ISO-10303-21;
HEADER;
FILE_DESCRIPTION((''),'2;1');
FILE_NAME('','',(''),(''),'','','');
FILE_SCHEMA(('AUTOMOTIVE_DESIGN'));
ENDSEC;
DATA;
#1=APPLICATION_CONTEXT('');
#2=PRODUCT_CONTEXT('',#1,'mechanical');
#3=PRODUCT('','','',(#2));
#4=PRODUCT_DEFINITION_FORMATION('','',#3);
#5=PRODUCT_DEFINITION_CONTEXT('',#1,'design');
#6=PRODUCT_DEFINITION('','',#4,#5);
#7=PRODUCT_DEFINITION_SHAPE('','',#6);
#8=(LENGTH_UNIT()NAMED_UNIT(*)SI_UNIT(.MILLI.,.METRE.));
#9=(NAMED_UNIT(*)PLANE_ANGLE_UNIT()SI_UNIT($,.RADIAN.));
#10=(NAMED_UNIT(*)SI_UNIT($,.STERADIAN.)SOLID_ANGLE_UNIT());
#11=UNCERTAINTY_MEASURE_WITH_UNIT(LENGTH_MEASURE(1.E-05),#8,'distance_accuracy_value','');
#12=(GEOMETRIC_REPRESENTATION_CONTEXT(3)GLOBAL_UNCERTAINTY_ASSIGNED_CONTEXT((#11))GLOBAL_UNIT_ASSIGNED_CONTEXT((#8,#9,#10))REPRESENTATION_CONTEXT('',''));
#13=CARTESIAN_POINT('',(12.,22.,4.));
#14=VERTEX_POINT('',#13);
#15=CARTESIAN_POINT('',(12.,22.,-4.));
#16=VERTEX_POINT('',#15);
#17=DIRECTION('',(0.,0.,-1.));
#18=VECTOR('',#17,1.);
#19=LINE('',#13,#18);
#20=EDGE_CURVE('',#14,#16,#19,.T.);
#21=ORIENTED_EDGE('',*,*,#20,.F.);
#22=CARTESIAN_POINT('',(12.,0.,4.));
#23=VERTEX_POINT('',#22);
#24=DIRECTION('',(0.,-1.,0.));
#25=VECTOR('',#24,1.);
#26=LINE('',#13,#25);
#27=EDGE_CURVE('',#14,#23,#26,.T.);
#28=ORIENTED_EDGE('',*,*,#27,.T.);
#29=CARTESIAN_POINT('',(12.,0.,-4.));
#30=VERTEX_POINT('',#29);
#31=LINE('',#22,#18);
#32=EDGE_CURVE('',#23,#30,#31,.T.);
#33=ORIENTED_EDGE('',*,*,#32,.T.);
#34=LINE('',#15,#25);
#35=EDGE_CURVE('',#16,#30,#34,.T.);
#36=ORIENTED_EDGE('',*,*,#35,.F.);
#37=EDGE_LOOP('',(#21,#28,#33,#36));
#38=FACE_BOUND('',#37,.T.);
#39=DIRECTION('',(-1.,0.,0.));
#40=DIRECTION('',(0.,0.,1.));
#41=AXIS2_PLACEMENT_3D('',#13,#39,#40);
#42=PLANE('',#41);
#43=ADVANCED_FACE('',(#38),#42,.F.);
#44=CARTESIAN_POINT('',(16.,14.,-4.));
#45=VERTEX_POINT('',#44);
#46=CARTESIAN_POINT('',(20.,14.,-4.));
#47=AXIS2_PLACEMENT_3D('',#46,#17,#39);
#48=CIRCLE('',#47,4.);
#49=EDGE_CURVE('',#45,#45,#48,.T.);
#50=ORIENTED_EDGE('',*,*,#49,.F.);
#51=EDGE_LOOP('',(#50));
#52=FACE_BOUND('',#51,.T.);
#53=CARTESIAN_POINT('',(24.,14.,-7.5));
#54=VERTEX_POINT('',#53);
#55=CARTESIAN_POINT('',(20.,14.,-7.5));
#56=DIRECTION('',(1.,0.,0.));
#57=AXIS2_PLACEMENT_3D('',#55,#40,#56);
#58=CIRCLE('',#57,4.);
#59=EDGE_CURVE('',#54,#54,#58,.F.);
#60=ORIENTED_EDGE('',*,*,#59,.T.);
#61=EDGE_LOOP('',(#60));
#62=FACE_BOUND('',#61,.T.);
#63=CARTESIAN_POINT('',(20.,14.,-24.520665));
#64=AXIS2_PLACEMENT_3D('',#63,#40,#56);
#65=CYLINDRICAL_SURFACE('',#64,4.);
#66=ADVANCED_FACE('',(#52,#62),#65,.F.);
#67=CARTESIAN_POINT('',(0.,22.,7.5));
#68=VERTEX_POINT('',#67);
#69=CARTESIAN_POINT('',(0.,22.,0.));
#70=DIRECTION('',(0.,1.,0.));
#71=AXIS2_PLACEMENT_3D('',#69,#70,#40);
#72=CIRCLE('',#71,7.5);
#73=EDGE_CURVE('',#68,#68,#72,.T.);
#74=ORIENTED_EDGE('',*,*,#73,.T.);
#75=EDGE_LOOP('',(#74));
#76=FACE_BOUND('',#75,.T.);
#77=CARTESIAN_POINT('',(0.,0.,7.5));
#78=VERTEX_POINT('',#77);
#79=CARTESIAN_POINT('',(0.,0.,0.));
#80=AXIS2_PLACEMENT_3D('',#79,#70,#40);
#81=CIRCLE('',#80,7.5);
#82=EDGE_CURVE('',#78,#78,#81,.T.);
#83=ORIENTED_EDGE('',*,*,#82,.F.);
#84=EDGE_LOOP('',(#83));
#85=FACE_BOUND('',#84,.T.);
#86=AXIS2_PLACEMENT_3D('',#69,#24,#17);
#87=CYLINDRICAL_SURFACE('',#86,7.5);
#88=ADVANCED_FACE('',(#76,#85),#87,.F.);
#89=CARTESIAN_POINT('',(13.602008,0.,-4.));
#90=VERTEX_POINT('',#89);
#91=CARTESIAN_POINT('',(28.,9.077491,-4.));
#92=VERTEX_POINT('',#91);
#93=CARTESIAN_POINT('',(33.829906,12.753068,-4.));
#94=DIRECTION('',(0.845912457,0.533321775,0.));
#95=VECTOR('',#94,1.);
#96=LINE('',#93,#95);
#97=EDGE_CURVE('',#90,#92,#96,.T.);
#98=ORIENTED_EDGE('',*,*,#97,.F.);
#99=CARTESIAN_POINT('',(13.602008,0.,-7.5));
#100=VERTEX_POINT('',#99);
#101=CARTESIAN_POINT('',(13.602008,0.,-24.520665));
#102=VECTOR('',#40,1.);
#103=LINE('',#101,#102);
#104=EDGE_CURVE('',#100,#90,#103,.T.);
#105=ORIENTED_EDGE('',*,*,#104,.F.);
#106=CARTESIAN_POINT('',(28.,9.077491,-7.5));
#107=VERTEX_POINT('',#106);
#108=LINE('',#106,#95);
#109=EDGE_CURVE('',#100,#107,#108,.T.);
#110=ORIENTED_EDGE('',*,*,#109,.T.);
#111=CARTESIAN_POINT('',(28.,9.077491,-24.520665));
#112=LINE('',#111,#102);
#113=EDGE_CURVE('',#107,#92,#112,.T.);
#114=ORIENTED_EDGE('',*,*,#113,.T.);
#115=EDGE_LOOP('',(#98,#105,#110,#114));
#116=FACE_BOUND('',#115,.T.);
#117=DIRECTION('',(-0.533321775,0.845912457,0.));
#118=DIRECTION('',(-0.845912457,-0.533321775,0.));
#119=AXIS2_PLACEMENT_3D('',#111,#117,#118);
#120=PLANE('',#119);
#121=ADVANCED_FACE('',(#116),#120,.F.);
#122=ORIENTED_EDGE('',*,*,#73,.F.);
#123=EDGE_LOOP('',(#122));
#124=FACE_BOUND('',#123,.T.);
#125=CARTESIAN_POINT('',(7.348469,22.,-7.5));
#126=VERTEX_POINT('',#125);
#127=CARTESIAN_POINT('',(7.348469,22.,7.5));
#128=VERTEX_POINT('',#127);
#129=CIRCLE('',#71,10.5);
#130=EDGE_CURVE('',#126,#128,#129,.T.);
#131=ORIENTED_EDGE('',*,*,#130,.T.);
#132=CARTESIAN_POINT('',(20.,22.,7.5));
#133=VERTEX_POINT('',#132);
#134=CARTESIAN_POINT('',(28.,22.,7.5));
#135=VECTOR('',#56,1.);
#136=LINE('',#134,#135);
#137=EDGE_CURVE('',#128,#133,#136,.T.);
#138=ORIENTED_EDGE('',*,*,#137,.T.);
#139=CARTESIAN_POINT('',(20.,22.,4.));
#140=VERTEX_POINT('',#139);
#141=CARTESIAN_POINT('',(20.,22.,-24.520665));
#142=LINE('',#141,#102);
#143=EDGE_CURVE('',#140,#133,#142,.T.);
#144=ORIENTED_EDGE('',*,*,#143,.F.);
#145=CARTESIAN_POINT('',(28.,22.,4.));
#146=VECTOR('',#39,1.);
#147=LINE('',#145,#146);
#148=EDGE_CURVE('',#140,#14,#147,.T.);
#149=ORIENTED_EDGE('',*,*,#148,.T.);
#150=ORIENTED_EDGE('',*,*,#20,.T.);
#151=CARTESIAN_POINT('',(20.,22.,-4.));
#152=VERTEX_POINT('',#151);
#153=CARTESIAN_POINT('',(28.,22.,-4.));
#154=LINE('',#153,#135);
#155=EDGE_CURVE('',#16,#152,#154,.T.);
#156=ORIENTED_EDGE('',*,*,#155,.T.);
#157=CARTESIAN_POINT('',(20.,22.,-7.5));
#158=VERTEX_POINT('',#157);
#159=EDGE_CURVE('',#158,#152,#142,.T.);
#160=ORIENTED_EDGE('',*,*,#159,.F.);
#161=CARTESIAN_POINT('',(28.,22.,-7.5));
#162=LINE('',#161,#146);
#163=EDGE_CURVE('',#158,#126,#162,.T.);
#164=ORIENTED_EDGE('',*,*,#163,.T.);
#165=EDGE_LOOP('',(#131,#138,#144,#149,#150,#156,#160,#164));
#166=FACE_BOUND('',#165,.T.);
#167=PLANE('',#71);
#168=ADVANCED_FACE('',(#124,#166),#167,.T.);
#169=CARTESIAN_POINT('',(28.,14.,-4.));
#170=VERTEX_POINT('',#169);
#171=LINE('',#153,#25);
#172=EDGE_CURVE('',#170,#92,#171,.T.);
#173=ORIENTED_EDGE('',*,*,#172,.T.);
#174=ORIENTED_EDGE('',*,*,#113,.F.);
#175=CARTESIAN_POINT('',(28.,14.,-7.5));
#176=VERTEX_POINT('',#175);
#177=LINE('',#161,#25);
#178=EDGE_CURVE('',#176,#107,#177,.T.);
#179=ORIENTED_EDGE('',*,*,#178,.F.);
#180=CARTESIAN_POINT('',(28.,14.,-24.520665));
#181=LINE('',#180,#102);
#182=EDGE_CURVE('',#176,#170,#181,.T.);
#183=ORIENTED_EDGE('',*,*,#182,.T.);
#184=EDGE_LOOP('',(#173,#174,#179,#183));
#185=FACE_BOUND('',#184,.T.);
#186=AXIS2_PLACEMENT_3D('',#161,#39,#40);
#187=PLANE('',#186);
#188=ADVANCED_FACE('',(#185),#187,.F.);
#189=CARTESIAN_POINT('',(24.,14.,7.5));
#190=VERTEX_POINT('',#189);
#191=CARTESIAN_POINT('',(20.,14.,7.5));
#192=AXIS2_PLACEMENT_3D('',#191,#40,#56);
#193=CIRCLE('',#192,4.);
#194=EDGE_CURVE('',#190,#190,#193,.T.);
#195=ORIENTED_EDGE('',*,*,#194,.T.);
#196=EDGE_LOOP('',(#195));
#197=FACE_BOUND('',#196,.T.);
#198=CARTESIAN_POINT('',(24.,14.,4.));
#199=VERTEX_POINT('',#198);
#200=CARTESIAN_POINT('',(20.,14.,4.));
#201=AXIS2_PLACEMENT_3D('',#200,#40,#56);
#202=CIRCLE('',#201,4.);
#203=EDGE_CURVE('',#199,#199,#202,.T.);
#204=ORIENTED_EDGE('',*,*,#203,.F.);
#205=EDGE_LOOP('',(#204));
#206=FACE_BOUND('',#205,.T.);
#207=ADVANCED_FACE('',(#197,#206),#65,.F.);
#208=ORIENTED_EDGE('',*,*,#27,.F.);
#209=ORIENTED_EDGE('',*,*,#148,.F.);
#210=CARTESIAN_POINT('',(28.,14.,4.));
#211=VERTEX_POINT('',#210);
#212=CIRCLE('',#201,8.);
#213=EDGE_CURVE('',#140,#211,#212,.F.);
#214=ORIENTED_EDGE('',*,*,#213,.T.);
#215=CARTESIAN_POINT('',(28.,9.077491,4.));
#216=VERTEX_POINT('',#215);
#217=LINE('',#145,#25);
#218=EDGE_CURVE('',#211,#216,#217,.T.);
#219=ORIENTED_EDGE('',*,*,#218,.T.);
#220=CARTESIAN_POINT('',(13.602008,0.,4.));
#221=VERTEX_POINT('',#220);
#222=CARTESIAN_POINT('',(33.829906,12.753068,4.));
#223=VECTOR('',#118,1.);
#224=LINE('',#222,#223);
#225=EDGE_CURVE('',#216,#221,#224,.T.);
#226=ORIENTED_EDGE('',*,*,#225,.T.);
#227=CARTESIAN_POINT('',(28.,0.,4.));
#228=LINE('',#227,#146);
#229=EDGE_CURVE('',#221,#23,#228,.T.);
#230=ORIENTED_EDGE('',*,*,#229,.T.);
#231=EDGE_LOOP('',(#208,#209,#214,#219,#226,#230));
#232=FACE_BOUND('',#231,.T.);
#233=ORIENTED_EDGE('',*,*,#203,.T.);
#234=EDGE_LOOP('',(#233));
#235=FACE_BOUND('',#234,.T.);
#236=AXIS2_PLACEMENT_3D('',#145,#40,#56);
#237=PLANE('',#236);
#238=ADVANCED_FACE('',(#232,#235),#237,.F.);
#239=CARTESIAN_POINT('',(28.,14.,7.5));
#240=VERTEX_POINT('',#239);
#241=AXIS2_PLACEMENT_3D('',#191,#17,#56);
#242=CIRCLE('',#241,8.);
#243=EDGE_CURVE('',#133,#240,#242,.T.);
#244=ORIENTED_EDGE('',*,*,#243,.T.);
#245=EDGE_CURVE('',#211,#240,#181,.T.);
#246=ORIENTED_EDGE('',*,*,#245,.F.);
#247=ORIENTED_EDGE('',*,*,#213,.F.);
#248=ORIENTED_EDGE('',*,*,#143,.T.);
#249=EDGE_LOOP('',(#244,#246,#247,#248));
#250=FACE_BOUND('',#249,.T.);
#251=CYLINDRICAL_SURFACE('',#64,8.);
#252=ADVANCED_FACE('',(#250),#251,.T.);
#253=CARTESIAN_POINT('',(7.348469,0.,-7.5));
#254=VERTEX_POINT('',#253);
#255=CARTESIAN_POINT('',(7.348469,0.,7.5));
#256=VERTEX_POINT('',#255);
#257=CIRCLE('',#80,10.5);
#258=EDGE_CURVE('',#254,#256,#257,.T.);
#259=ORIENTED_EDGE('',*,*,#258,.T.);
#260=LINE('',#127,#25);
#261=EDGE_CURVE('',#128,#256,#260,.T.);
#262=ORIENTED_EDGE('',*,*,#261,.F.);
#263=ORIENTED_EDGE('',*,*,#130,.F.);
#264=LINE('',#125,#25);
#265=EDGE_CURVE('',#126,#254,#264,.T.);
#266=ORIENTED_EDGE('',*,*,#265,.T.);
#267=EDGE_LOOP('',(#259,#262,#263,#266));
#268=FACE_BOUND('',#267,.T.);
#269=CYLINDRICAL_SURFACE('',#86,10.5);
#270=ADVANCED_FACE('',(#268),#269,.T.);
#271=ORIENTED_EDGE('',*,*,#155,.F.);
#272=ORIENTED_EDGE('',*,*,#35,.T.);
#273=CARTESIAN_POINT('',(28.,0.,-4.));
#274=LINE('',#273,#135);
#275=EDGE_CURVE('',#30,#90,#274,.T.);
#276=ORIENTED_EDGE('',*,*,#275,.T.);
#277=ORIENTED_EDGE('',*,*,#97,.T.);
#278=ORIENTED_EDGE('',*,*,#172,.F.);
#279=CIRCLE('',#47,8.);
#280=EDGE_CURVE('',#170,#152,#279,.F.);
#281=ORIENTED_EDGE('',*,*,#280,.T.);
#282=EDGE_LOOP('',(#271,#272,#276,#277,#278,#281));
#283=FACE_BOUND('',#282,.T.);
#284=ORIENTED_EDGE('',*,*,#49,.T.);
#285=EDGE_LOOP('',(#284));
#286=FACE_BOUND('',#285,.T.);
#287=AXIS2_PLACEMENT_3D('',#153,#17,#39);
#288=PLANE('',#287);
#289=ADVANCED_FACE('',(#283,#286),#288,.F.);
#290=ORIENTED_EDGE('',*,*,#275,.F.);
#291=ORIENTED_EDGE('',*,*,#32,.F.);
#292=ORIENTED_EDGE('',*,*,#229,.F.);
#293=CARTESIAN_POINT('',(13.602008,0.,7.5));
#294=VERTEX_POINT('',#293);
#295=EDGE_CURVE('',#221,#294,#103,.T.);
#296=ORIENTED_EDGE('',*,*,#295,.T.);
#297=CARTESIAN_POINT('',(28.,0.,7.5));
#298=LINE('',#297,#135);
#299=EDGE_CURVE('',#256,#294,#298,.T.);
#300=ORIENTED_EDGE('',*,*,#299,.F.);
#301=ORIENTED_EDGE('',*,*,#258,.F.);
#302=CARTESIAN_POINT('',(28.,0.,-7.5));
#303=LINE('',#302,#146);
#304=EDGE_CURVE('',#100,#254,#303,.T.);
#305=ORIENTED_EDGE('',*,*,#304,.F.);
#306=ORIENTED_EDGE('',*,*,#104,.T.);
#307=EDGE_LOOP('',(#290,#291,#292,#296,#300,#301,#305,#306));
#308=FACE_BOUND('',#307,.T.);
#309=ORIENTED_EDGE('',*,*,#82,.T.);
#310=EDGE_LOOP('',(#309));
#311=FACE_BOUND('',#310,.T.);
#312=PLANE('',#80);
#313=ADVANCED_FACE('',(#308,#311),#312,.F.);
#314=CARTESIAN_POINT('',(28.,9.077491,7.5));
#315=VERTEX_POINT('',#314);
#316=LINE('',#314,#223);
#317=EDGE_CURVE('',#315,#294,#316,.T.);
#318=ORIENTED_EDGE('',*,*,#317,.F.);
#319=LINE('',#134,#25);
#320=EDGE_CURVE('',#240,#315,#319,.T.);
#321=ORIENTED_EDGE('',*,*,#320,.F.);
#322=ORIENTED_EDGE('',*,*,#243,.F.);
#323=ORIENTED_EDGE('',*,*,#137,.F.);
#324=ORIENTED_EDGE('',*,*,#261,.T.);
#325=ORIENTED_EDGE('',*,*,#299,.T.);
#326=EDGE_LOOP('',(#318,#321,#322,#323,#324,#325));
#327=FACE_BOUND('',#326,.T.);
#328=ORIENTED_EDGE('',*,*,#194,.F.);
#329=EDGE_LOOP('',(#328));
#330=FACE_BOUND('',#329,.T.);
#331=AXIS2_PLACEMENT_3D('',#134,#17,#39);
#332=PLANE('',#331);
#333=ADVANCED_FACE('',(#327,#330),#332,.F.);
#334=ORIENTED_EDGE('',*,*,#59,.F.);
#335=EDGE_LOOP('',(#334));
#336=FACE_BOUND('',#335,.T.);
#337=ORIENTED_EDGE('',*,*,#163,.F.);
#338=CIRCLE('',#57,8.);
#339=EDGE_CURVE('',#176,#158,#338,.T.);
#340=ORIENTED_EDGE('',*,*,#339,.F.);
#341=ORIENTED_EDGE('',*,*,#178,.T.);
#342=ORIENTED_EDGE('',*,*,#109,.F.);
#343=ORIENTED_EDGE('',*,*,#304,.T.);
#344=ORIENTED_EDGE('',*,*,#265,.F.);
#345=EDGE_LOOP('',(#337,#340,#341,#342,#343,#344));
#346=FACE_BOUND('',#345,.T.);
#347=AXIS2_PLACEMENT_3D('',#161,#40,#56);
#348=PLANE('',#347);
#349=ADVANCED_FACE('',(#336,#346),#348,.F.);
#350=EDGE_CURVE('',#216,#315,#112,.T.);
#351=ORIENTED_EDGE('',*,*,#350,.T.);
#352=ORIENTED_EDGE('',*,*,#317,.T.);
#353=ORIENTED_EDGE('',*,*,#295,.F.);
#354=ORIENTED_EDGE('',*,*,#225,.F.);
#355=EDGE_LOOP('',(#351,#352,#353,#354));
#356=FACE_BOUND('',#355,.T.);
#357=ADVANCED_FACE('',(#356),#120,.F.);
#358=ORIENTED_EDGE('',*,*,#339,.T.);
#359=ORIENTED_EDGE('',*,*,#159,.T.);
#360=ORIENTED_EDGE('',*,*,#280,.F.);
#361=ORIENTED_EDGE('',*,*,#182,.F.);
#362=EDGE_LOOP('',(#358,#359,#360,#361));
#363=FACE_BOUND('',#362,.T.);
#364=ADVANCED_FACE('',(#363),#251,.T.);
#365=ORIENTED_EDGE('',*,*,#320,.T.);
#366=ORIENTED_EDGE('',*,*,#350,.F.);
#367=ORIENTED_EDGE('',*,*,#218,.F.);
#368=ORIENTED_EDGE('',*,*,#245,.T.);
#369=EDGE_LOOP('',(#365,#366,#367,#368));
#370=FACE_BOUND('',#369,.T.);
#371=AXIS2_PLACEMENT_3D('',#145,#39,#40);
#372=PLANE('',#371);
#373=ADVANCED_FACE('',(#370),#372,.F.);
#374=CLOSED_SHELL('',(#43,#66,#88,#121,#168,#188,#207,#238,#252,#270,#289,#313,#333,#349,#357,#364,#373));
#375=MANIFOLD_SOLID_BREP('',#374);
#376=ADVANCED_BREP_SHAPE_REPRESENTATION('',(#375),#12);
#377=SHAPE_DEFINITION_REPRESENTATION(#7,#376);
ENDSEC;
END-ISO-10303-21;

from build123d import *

# Parameters (mm, degrees)
SKETCH1_R           = 7.5
BOSS_EXTRUDE1_DEPTH = 22
CUT_EXTRUDE1_REACH  = 41.9
SKETCH2_R           = 4


with BuildPart() as part:
    # Sketch1 → Boss-Extrude1 (new body)
    with BuildSketch(Plane(origin=(0, 0, 0), x_dir=(1, 0, 0), z_dir=(0, 1, 0))):
        with BuildLine():
            Line((28, 7.5), (7.348469228, 7.5))
            ThreePointArc((7.348469228, 7.5), (-10.5, 0), (7.348469228, -7.5))
            Line((7.348469228, -7.5), (28, -7.5))
            Line((28, -7.5), (28, -4))
            Line((28, -4), (12, -4))
            Line((12, -4), (12, 4))
            Line((12, 4), (28, 4))
            Line((28, 4), (28, 7.5))
        make_face()
        with Locations(Location((0, 0, 0), (0, 0, 270))):
            Circle(SKETCH1_R, mode=Mode.SUBTRACT)
    extrude(amount=BOSS_EXTRUDE1_DEPTH)

    # Cut-Extrude1: up to this face of the body (flat: up to its plane)
    cut_extrude1_end = Plane(part.part.faces().sort_by_distance((17.674234614, 11, -7.5))[0])
    # Sketch2 → Cut-Extrude1 (cut, up to the picked face)
    with BuildSketch(Plane.XY.offset(7.5), mode=Mode.PRIVATE) as cut_extrude1_sk1:
        with Locations((20, 14)):
            Circle(SKETCH2_R)
    cut_extrude1_tool1 = split(extrude(cut_extrude1_sk1.sketch, amount=-CUT_EXTRUDE1_REACH, mode=Mode.PRIVATE), bisect_by=cut_extrude1_end, keep=Keep.BOTH, mode=Mode.PRIVATE)
    # Sketch2 → Cut-Extrude1 (cut, up to the picked face)
    with BuildSketch(Plane.XY.offset(7.5), mode=Mode.PRIVATE) as cut_extrude1_sk2:
        Polygon((28, 9.077491087), (13.602007738, 0), (28, 0), align=None)
    cut_extrude1_tool2 = split(extrude(cut_extrude1_sk2.sketch, amount=-CUT_EXTRUDE1_REACH, mode=Mode.PRIVATE), bisect_by=cut_extrude1_end, keep=Keep.BOTH, mode=Mode.PRIVATE)
    # Sketch2 → Cut-Extrude1 (cut, up to the picked face)
    with BuildSketch(Plane.XY.offset(7.5), mode=Mode.PRIVATE) as cut_extrude1_sk3:
        with BuildLine():
            Line((20, 22), (20, 25.764527095))
            Line((20, 25.764527095), (29.423240249, 25.764527095))
            Line((29.423240249, 25.764527095), (29.423240249, 14))
            Line((29.423240249, 14), (28, 14))
            ThreePointArc((28, 14), (25.656854249, 19.656854249), (20, 22))
        make_face()
    cut_extrude1_tool3 = split(extrude(cut_extrude1_sk3.sketch, amount=-CUT_EXTRUDE1_REACH, mode=Mode.PRIVATE), bisect_by=cut_extrude1_end, keep=Keep.BOTH, mode=Mode.PRIVATE)
    add(cut_extrude1_tool1.solids().sort_by(Axis((20, 14, 7.5), (0, 0, -1)))[0], mode=Mode.SUBTRACT)
    add(cut_extrude1_tool2.solids().sort_by(Axis((23.200669, 3.02583, 7.5), (0, 0, -1)))[0], mode=Mode.SUBTRACT)
    add(cut_extrude1_tool3.solids().sort_by(Axis((25.803554, 21.945292, 7.5), (0, 0, -1)))[0], mode=Mode.SUBTRACT)


solid = part.part
